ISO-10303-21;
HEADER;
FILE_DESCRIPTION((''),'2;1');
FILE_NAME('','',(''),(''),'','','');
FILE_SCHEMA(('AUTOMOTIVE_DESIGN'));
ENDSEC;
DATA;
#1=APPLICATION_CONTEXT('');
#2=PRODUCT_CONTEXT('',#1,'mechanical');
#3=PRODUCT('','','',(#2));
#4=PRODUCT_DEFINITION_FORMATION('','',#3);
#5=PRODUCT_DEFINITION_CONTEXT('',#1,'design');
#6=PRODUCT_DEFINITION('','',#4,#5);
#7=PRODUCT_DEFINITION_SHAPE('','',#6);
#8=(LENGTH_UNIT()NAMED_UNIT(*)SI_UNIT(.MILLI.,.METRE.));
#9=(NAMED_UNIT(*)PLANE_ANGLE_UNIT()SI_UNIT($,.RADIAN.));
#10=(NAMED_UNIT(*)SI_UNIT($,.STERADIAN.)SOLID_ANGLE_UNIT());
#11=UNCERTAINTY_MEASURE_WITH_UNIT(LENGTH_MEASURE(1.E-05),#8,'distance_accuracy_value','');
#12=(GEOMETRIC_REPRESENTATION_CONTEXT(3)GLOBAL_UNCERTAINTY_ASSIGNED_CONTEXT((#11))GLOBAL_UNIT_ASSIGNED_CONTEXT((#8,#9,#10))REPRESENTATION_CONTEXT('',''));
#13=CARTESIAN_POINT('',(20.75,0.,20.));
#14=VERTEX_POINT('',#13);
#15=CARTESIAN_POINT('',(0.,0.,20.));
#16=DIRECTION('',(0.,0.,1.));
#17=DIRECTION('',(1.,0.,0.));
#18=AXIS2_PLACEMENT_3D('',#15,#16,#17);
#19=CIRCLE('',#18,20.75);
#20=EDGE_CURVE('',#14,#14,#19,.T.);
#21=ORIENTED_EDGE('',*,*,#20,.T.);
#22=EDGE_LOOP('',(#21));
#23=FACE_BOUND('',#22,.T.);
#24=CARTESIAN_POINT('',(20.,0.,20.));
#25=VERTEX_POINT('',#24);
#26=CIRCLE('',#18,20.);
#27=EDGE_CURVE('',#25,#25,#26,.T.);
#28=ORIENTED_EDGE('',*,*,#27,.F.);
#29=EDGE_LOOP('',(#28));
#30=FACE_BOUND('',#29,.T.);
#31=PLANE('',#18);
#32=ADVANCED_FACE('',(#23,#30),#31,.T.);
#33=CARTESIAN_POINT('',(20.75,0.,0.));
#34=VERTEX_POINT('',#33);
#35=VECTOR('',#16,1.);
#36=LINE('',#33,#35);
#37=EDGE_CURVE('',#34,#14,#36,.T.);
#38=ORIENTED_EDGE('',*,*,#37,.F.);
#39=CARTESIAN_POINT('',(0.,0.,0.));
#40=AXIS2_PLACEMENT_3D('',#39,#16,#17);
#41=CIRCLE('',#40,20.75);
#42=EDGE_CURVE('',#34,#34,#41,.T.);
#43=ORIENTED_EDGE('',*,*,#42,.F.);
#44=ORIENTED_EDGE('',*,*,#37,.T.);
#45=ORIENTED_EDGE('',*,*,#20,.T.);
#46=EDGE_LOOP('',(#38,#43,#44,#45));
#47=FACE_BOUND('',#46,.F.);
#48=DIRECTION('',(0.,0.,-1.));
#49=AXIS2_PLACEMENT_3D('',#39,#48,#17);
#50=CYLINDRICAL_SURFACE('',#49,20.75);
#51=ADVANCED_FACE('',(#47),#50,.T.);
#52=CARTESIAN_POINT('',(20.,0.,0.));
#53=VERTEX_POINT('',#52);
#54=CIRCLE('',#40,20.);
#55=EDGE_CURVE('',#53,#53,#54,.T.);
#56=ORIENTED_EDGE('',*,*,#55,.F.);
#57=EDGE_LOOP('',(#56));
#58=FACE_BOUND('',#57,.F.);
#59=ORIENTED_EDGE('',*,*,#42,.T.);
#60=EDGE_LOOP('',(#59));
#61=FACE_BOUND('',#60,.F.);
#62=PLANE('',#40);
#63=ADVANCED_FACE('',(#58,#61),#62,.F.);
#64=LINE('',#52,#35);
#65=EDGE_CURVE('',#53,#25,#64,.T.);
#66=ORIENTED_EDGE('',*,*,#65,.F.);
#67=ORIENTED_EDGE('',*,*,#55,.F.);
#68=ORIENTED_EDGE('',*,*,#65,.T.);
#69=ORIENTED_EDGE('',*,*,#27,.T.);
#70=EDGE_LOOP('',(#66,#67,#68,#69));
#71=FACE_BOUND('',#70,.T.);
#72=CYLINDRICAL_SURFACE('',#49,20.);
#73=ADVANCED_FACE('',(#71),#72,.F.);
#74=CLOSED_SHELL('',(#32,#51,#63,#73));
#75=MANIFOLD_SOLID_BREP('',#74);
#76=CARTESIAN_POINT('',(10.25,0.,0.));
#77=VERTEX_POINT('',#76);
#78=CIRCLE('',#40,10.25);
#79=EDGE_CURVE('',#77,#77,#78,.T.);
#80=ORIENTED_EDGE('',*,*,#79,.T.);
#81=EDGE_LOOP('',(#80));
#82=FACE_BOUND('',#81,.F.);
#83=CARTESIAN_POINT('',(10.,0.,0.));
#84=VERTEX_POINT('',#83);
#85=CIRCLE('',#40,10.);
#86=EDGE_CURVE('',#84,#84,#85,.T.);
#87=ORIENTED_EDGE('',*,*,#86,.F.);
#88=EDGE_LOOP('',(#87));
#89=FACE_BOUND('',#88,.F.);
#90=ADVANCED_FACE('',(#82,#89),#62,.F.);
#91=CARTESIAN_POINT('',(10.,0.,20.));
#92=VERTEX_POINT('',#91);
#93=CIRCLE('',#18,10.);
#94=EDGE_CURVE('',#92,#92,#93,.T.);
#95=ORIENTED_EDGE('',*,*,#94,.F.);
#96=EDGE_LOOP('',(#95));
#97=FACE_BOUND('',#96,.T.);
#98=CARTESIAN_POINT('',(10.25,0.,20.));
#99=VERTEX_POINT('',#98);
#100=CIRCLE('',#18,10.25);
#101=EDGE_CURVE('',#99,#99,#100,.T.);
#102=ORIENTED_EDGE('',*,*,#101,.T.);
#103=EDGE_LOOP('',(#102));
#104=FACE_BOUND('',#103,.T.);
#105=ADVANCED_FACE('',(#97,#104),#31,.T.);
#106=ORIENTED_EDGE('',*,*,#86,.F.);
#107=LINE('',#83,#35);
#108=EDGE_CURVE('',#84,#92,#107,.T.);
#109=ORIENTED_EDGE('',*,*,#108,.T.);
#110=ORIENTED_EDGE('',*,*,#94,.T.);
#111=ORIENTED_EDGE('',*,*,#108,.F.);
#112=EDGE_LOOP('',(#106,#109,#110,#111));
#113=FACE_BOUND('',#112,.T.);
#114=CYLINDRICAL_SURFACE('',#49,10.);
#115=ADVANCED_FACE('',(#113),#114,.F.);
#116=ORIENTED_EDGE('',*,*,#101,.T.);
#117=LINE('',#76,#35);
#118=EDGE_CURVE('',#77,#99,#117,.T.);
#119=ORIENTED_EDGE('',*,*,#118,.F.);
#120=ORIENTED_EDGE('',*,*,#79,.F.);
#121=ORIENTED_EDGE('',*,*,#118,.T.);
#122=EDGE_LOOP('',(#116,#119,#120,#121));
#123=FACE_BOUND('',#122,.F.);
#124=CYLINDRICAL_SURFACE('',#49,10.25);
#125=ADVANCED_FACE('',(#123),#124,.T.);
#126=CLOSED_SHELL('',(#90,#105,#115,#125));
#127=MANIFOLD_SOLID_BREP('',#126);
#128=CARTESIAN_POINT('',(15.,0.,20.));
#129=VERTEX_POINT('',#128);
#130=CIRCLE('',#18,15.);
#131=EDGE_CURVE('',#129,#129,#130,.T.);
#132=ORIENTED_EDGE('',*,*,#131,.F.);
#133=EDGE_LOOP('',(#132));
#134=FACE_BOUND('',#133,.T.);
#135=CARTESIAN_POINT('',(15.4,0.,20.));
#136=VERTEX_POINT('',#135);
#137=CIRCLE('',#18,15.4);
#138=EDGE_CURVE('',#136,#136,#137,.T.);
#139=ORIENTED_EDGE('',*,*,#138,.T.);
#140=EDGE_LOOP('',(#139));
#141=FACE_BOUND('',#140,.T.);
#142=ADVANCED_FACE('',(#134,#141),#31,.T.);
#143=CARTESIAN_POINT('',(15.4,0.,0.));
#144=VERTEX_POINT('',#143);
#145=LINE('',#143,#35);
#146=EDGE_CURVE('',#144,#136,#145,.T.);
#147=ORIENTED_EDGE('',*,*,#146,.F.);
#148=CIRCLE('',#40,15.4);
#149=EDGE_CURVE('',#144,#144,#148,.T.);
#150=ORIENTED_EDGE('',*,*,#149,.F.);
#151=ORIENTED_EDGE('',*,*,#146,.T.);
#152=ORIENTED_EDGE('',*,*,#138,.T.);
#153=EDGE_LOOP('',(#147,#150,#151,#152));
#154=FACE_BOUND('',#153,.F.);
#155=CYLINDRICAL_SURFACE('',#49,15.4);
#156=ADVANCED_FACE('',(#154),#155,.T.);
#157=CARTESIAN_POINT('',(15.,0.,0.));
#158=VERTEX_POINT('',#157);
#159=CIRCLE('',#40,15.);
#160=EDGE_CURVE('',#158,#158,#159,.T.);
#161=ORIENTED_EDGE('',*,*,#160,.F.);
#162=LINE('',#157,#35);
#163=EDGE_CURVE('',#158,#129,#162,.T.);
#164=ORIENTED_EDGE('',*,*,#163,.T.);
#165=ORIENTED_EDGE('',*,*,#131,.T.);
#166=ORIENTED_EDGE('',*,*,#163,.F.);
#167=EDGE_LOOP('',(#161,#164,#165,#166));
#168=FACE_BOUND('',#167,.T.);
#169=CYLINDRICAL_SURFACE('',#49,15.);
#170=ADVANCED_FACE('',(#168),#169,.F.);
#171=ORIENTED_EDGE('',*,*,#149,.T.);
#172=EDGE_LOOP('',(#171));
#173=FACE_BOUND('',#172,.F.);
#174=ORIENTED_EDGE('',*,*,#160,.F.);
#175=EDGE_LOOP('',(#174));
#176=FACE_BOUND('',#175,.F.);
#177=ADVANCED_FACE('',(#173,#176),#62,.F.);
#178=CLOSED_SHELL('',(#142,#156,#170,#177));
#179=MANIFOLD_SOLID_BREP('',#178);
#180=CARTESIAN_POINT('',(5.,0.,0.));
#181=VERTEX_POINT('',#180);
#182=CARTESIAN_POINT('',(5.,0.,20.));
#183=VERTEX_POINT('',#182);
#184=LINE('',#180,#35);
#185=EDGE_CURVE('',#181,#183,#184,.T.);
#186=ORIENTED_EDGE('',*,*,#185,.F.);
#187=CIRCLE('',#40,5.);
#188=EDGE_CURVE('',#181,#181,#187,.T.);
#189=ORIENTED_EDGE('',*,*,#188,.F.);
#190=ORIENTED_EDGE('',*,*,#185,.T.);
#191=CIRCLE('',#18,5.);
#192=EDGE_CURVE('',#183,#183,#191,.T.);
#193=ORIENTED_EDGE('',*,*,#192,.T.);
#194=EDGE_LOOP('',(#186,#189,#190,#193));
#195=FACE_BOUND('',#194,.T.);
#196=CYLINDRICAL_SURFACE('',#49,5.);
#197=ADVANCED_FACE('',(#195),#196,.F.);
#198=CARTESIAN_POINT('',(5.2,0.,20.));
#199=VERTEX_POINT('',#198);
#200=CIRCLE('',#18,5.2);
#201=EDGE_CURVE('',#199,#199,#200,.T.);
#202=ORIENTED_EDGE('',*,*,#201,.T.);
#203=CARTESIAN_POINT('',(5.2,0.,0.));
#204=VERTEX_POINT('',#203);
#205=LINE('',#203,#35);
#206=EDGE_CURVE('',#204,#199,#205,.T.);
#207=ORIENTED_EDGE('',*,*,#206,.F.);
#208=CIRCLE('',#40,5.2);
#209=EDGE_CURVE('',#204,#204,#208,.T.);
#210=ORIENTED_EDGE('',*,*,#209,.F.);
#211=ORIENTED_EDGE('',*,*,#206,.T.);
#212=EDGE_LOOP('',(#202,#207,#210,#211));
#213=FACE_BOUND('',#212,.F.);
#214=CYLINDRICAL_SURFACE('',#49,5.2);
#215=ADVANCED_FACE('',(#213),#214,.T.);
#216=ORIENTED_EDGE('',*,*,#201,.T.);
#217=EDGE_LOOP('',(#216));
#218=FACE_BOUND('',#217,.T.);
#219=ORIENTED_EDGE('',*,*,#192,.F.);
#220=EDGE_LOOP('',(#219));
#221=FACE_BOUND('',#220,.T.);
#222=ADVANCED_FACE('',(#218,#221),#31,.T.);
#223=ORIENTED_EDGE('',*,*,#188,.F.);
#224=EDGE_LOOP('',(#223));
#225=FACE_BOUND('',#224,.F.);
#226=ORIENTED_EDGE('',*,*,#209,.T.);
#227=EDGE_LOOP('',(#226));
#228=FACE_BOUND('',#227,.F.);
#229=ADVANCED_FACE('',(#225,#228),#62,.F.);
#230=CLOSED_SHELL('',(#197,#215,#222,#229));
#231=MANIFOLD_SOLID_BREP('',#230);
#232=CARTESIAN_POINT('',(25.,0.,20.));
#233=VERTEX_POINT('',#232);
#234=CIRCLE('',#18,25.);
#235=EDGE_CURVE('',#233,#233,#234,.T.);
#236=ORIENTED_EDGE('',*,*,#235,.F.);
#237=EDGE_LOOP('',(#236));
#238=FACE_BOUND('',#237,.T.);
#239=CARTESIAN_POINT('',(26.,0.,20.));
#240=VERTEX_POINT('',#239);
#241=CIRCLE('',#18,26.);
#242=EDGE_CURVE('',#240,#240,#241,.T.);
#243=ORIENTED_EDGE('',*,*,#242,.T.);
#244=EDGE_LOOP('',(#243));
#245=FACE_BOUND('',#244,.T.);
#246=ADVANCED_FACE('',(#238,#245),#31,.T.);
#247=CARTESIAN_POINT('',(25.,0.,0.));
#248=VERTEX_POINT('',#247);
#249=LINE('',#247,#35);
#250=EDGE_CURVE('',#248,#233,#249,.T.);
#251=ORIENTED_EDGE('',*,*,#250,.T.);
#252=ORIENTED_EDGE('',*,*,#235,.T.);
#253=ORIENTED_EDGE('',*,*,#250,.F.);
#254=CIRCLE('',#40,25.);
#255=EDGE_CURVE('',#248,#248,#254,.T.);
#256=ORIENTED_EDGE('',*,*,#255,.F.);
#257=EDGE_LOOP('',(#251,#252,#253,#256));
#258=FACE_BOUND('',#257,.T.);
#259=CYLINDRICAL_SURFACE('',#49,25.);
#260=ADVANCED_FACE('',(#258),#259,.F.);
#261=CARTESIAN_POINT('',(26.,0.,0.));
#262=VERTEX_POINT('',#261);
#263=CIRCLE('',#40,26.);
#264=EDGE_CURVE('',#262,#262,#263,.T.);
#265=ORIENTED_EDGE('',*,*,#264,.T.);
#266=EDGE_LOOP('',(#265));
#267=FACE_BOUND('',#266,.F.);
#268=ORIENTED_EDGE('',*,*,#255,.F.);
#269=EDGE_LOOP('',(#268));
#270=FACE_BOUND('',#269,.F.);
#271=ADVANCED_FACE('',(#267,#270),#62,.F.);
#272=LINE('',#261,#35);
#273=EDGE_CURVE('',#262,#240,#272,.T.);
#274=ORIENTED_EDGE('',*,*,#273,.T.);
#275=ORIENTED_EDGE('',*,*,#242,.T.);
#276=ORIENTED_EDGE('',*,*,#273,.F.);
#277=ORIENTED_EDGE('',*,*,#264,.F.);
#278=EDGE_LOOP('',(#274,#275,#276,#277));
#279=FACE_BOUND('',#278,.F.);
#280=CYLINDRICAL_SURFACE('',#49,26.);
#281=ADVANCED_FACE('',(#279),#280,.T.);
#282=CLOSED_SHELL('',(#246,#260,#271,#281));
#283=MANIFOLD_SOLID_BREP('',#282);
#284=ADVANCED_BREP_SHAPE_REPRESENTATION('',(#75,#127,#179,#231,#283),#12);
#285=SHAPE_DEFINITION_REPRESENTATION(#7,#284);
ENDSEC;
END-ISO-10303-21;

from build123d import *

# Parameters (mm, degrees)
F0_R     = 26
F0_R_2   = 25
F0_R_3   = 20.75
F0_R_4   = 20
F0_R_5   = 15.4
F0_R_6   = 15
F0_R_7   = 10.25
F0_R_8   = 10
F0_R_9   = 5.2
F0_R_10  = 5
F1_DEPTH = 20


with BuildPart() as f1:
    # F0 (on Top) → F1 (new body)
    with BuildSketch(Plane.XY):
        Circle(F0_R)
        Circle(F0_R_2, mode=Mode.SUBTRACT)
        Circle(F0_R_3)
        Circle(F0_R_4, mode=Mode.SUBTRACT)
        Circle(F0_R_5)
        Circle(F0_R_6, mode=Mode.SUBTRACT)
        Circle(F0_R_7)
        Circle(F0_R_8, mode=Mode.SUBTRACT)
        Circle(F0_R_9)
        Circle(F0_R_10, mode=Mode.SUBTRACT)
    extrude(amount=F1_DEPTH)


solid = f1.part
